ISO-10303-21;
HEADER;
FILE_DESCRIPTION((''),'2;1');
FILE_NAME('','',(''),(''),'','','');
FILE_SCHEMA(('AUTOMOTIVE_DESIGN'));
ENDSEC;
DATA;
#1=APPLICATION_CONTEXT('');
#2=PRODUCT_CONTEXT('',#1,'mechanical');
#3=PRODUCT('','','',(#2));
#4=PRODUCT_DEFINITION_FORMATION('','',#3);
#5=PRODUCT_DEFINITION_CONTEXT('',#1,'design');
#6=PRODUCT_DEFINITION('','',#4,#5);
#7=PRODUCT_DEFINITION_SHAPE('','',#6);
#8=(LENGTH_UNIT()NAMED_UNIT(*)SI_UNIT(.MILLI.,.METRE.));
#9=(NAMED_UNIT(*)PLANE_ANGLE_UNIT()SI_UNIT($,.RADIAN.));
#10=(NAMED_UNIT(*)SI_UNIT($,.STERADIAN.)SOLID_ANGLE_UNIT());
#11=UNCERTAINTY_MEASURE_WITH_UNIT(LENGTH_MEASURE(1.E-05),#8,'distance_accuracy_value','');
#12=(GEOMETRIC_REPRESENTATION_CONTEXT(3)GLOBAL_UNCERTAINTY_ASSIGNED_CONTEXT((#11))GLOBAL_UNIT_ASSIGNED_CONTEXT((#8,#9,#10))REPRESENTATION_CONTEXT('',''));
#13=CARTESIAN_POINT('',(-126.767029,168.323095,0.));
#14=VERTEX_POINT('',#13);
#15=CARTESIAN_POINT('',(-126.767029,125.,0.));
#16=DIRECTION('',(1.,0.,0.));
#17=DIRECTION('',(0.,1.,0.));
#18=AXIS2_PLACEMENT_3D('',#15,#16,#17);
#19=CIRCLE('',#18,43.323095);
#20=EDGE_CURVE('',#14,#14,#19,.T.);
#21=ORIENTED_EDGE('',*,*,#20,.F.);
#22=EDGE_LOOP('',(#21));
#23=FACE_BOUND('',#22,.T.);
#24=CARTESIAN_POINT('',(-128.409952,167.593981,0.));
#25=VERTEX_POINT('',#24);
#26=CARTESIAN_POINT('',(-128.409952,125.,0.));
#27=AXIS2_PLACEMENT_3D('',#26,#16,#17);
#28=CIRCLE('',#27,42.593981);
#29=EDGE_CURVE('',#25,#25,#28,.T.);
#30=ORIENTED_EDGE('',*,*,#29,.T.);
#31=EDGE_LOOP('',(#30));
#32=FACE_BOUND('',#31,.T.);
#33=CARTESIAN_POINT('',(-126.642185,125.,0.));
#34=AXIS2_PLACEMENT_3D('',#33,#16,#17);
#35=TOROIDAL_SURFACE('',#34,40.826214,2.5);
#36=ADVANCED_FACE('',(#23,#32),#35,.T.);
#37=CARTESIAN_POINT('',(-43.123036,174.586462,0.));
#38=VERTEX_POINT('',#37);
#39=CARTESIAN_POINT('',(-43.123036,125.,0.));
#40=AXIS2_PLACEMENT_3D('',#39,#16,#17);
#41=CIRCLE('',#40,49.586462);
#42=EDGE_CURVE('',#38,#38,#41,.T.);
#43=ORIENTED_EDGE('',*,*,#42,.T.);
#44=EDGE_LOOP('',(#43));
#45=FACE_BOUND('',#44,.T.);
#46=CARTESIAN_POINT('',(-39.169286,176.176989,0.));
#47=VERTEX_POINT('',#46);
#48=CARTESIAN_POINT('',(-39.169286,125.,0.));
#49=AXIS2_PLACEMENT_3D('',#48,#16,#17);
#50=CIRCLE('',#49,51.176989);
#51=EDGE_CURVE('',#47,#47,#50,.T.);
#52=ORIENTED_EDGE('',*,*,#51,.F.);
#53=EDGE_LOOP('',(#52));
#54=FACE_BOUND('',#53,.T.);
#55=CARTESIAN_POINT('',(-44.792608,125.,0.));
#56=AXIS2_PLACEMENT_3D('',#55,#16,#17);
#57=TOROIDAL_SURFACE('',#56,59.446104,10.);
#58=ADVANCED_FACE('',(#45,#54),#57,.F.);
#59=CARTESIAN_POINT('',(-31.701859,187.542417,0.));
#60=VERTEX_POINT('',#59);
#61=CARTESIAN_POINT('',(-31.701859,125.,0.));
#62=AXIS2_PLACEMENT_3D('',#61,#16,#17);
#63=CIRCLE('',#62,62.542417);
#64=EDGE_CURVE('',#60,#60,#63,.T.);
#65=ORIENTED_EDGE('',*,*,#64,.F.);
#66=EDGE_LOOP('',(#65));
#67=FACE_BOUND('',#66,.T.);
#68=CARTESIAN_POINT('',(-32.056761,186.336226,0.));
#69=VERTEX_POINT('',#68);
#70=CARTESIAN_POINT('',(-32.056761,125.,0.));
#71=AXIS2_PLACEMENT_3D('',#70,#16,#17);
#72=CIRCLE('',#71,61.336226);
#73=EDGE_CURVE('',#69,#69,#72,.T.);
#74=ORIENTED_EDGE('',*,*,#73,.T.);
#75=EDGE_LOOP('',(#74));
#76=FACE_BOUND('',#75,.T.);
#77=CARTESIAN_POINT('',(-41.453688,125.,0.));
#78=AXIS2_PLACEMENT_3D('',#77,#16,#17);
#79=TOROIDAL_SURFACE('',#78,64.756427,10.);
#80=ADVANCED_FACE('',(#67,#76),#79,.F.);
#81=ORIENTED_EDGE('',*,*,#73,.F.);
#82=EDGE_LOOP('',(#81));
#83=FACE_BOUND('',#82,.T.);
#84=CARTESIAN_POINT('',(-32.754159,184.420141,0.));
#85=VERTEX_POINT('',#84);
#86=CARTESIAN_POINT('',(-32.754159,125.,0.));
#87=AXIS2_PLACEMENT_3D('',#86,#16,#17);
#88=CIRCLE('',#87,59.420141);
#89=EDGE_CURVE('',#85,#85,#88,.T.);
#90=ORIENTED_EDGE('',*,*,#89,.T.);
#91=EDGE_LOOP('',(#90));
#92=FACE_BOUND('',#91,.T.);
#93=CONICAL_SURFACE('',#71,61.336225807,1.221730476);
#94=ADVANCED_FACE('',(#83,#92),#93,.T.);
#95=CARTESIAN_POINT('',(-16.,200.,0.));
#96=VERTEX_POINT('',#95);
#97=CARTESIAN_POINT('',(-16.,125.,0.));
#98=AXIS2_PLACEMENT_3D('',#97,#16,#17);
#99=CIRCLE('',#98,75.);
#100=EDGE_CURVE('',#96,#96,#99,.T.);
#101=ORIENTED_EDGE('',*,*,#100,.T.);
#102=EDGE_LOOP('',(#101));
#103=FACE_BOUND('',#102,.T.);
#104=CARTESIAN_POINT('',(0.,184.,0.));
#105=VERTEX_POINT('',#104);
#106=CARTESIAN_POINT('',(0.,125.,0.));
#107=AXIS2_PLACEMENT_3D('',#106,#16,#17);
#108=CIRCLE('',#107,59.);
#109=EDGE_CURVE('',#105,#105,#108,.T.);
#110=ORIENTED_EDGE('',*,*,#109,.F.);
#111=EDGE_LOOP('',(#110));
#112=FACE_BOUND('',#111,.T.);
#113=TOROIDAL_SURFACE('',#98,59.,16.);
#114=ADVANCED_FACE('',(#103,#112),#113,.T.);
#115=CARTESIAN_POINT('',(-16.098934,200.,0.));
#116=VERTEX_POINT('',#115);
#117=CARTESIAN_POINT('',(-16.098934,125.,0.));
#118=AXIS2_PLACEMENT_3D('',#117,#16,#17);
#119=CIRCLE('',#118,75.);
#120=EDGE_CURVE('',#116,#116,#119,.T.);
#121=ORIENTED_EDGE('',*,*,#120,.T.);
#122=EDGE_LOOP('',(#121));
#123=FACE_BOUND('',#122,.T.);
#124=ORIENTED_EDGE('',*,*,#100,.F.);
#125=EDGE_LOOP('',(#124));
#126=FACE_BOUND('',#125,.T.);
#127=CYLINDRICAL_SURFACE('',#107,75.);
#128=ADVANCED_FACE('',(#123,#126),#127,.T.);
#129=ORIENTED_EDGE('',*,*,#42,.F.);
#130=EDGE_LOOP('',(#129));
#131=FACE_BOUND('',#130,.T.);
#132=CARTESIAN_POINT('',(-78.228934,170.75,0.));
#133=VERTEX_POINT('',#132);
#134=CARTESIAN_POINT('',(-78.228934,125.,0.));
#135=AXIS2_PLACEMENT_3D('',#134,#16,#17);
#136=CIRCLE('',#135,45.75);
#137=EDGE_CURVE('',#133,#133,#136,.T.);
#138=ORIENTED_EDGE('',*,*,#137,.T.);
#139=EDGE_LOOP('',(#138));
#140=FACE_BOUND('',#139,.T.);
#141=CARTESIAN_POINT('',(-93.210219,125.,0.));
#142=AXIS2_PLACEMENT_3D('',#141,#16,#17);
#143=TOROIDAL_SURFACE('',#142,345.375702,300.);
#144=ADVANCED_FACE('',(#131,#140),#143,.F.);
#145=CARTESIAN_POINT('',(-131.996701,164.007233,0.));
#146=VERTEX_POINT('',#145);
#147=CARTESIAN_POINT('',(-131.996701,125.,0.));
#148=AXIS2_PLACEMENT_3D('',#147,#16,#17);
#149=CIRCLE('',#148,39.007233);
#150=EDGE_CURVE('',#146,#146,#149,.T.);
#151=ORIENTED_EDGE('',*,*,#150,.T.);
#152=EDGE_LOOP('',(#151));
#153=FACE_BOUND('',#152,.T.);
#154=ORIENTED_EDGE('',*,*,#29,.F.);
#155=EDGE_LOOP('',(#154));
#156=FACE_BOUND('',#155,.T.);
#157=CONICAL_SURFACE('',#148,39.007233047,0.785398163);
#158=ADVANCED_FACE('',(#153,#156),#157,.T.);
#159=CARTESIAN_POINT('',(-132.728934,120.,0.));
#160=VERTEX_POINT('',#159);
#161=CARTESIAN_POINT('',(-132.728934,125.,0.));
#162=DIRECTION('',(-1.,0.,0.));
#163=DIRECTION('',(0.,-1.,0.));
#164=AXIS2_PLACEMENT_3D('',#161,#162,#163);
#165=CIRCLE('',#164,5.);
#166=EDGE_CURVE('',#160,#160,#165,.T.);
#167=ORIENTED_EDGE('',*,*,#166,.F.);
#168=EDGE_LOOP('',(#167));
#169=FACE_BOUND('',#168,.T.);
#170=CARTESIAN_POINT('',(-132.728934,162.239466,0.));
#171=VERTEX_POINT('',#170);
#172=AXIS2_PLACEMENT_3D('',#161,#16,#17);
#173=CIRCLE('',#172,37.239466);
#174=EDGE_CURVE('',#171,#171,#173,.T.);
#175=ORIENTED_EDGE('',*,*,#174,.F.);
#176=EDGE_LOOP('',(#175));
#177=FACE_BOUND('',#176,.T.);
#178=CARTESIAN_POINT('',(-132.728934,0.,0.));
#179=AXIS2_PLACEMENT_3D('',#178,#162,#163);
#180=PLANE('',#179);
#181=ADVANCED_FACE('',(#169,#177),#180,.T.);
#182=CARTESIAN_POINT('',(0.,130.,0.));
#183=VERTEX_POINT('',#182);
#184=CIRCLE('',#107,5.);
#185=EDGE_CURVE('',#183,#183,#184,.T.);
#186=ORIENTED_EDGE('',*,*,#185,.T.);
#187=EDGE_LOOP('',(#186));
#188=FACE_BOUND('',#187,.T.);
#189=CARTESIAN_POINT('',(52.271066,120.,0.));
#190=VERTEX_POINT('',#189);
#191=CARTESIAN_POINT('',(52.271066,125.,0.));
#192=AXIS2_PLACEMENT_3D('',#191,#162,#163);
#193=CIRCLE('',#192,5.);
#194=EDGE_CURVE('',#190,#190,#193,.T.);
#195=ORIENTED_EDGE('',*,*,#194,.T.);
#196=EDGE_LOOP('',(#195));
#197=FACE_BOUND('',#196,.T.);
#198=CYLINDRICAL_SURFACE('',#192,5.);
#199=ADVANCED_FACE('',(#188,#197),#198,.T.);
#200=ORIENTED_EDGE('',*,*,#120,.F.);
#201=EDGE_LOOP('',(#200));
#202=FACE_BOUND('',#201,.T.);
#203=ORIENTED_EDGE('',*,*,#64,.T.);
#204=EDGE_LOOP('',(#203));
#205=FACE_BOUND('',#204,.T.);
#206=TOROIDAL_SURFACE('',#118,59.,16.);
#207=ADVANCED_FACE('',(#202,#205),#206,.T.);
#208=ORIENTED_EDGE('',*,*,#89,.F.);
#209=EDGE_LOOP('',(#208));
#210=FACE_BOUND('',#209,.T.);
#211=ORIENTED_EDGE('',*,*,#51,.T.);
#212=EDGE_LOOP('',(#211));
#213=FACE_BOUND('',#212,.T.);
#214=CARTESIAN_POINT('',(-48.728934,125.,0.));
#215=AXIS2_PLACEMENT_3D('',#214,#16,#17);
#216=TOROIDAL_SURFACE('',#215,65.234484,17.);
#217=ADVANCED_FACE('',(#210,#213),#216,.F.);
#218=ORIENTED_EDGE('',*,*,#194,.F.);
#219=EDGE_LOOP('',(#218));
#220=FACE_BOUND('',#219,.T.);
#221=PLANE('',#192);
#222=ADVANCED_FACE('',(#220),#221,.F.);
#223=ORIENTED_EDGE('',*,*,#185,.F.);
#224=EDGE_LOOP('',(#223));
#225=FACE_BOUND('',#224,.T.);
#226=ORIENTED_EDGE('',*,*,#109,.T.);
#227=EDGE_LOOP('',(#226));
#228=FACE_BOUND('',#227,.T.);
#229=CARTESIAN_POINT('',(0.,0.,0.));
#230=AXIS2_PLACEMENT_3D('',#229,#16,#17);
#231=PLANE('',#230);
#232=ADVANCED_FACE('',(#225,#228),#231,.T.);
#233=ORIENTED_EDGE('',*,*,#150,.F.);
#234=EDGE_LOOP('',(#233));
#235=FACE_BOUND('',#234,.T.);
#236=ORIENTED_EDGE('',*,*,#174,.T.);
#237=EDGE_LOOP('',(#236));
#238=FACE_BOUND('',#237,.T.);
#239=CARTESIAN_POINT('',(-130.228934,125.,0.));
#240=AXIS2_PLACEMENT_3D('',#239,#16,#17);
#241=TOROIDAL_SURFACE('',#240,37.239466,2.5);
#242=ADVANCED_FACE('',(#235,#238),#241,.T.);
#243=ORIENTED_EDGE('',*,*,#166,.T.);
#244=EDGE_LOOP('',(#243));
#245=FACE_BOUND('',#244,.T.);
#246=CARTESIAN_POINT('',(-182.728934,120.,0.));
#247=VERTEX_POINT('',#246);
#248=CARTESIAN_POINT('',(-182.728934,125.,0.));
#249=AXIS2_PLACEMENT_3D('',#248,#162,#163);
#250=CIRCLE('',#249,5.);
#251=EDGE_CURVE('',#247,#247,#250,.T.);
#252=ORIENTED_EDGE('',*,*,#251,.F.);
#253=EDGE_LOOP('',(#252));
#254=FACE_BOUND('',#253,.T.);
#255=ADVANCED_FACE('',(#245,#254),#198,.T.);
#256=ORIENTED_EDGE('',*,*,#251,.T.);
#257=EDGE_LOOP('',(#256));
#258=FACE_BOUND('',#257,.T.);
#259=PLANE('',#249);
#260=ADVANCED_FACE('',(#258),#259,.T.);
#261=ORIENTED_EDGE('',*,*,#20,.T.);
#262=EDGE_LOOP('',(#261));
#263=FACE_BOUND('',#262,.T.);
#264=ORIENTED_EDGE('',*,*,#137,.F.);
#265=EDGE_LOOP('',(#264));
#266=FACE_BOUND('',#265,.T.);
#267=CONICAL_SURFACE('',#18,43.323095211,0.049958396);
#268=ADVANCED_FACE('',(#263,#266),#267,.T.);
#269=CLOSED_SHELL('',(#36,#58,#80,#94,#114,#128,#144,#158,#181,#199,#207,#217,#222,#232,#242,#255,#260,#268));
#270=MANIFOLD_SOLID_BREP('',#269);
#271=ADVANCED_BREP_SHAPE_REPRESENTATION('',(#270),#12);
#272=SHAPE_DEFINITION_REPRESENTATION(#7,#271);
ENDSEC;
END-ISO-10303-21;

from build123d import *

# Parameters (mm, degrees)
SKETCH3_R                = 5
BOSS_EXTRUDE1_DEPTH      = 50
BOSS_EXTRUDE1_DEPTH_BACK = 185


with BuildPart() as part:
    # Sketch2 → Revolve1 (revolve)
    with BuildSketch(Plane.XY):
        with BuildLine():
            Line((-126.767029403, 81.676904789), (-78.228933631, 79.25))
            ThreePointArc((-78.228933631, 79.25), (-60.619483805, 77.84878425), (-43.123035518, 75.413537626))
            ThreePointArc((-43.123035518, 75.413537626), (-41.060447751, 74.831340884), (-39.169286378, 73.823010577))
            ThreePointArc((-39.169286378, 73.823010577), (-35.312933401, 70.206346657), (-32.754159078, 65.579858771))
            Line((-32.754159078, 65.579858771), (-32.056761325, 63.663774193))
            ThreePointArc((-32.056761325, 63.663774193), (-31.860334358, 63.066262055), (-31.701859109, 62.457583237))
            ThreePointArc((-31.701859109, 62.457583237), (-26.081952508, 53.496427146), (-16.098933631, 50))
            Line((-16.098933631, 50), (-16, 50))
            ThreePointArc((-16, 50), (-4.686291501, 54.686291501), (0, 66))
            Line((0, 66), (0, 78.5))
            Line((0, 78.5), (0, 125))
            Line((0, 125), (-132.728933631, 125))
            Line((-132.728933631, 125), (-132.728933631, 97.760533906))
            Line((-132.728933631, 97.760533906), (-132.728933631, 87.760533906))
            ThreePointArc((-132.728933631, 87.760533906), (-132.538632462, 86.803825325), (-131.996700584, 85.992766953))
            Line((-131.996700584, 85.992766953), (-128.409952314, 82.406018683))
            ThreePointArc((-128.409952314, 82.406018683), (-127.656283908, 81.888702675), (-126.767029403, 81.676904789))
        make_face()
    revolve(axis=Axis((0, 125, 0), (-1, 0, 0)))

    # Sketch3 → Boss-Extrude1 (add, two sides)
    with BuildSketch(Plane.ZY.offset(132.728933631)) as boss_extrude1_sk:
        with Locations((0, 125)):
            Circle(SKETCH3_R)
    extrude(amount=BOSS_EXTRUDE1_DEPTH)
    extrude(boss_extrude1_sk.sketch, amount=-BOSS_EXTRUDE1_DEPTH_BACK)


solid = part.part
